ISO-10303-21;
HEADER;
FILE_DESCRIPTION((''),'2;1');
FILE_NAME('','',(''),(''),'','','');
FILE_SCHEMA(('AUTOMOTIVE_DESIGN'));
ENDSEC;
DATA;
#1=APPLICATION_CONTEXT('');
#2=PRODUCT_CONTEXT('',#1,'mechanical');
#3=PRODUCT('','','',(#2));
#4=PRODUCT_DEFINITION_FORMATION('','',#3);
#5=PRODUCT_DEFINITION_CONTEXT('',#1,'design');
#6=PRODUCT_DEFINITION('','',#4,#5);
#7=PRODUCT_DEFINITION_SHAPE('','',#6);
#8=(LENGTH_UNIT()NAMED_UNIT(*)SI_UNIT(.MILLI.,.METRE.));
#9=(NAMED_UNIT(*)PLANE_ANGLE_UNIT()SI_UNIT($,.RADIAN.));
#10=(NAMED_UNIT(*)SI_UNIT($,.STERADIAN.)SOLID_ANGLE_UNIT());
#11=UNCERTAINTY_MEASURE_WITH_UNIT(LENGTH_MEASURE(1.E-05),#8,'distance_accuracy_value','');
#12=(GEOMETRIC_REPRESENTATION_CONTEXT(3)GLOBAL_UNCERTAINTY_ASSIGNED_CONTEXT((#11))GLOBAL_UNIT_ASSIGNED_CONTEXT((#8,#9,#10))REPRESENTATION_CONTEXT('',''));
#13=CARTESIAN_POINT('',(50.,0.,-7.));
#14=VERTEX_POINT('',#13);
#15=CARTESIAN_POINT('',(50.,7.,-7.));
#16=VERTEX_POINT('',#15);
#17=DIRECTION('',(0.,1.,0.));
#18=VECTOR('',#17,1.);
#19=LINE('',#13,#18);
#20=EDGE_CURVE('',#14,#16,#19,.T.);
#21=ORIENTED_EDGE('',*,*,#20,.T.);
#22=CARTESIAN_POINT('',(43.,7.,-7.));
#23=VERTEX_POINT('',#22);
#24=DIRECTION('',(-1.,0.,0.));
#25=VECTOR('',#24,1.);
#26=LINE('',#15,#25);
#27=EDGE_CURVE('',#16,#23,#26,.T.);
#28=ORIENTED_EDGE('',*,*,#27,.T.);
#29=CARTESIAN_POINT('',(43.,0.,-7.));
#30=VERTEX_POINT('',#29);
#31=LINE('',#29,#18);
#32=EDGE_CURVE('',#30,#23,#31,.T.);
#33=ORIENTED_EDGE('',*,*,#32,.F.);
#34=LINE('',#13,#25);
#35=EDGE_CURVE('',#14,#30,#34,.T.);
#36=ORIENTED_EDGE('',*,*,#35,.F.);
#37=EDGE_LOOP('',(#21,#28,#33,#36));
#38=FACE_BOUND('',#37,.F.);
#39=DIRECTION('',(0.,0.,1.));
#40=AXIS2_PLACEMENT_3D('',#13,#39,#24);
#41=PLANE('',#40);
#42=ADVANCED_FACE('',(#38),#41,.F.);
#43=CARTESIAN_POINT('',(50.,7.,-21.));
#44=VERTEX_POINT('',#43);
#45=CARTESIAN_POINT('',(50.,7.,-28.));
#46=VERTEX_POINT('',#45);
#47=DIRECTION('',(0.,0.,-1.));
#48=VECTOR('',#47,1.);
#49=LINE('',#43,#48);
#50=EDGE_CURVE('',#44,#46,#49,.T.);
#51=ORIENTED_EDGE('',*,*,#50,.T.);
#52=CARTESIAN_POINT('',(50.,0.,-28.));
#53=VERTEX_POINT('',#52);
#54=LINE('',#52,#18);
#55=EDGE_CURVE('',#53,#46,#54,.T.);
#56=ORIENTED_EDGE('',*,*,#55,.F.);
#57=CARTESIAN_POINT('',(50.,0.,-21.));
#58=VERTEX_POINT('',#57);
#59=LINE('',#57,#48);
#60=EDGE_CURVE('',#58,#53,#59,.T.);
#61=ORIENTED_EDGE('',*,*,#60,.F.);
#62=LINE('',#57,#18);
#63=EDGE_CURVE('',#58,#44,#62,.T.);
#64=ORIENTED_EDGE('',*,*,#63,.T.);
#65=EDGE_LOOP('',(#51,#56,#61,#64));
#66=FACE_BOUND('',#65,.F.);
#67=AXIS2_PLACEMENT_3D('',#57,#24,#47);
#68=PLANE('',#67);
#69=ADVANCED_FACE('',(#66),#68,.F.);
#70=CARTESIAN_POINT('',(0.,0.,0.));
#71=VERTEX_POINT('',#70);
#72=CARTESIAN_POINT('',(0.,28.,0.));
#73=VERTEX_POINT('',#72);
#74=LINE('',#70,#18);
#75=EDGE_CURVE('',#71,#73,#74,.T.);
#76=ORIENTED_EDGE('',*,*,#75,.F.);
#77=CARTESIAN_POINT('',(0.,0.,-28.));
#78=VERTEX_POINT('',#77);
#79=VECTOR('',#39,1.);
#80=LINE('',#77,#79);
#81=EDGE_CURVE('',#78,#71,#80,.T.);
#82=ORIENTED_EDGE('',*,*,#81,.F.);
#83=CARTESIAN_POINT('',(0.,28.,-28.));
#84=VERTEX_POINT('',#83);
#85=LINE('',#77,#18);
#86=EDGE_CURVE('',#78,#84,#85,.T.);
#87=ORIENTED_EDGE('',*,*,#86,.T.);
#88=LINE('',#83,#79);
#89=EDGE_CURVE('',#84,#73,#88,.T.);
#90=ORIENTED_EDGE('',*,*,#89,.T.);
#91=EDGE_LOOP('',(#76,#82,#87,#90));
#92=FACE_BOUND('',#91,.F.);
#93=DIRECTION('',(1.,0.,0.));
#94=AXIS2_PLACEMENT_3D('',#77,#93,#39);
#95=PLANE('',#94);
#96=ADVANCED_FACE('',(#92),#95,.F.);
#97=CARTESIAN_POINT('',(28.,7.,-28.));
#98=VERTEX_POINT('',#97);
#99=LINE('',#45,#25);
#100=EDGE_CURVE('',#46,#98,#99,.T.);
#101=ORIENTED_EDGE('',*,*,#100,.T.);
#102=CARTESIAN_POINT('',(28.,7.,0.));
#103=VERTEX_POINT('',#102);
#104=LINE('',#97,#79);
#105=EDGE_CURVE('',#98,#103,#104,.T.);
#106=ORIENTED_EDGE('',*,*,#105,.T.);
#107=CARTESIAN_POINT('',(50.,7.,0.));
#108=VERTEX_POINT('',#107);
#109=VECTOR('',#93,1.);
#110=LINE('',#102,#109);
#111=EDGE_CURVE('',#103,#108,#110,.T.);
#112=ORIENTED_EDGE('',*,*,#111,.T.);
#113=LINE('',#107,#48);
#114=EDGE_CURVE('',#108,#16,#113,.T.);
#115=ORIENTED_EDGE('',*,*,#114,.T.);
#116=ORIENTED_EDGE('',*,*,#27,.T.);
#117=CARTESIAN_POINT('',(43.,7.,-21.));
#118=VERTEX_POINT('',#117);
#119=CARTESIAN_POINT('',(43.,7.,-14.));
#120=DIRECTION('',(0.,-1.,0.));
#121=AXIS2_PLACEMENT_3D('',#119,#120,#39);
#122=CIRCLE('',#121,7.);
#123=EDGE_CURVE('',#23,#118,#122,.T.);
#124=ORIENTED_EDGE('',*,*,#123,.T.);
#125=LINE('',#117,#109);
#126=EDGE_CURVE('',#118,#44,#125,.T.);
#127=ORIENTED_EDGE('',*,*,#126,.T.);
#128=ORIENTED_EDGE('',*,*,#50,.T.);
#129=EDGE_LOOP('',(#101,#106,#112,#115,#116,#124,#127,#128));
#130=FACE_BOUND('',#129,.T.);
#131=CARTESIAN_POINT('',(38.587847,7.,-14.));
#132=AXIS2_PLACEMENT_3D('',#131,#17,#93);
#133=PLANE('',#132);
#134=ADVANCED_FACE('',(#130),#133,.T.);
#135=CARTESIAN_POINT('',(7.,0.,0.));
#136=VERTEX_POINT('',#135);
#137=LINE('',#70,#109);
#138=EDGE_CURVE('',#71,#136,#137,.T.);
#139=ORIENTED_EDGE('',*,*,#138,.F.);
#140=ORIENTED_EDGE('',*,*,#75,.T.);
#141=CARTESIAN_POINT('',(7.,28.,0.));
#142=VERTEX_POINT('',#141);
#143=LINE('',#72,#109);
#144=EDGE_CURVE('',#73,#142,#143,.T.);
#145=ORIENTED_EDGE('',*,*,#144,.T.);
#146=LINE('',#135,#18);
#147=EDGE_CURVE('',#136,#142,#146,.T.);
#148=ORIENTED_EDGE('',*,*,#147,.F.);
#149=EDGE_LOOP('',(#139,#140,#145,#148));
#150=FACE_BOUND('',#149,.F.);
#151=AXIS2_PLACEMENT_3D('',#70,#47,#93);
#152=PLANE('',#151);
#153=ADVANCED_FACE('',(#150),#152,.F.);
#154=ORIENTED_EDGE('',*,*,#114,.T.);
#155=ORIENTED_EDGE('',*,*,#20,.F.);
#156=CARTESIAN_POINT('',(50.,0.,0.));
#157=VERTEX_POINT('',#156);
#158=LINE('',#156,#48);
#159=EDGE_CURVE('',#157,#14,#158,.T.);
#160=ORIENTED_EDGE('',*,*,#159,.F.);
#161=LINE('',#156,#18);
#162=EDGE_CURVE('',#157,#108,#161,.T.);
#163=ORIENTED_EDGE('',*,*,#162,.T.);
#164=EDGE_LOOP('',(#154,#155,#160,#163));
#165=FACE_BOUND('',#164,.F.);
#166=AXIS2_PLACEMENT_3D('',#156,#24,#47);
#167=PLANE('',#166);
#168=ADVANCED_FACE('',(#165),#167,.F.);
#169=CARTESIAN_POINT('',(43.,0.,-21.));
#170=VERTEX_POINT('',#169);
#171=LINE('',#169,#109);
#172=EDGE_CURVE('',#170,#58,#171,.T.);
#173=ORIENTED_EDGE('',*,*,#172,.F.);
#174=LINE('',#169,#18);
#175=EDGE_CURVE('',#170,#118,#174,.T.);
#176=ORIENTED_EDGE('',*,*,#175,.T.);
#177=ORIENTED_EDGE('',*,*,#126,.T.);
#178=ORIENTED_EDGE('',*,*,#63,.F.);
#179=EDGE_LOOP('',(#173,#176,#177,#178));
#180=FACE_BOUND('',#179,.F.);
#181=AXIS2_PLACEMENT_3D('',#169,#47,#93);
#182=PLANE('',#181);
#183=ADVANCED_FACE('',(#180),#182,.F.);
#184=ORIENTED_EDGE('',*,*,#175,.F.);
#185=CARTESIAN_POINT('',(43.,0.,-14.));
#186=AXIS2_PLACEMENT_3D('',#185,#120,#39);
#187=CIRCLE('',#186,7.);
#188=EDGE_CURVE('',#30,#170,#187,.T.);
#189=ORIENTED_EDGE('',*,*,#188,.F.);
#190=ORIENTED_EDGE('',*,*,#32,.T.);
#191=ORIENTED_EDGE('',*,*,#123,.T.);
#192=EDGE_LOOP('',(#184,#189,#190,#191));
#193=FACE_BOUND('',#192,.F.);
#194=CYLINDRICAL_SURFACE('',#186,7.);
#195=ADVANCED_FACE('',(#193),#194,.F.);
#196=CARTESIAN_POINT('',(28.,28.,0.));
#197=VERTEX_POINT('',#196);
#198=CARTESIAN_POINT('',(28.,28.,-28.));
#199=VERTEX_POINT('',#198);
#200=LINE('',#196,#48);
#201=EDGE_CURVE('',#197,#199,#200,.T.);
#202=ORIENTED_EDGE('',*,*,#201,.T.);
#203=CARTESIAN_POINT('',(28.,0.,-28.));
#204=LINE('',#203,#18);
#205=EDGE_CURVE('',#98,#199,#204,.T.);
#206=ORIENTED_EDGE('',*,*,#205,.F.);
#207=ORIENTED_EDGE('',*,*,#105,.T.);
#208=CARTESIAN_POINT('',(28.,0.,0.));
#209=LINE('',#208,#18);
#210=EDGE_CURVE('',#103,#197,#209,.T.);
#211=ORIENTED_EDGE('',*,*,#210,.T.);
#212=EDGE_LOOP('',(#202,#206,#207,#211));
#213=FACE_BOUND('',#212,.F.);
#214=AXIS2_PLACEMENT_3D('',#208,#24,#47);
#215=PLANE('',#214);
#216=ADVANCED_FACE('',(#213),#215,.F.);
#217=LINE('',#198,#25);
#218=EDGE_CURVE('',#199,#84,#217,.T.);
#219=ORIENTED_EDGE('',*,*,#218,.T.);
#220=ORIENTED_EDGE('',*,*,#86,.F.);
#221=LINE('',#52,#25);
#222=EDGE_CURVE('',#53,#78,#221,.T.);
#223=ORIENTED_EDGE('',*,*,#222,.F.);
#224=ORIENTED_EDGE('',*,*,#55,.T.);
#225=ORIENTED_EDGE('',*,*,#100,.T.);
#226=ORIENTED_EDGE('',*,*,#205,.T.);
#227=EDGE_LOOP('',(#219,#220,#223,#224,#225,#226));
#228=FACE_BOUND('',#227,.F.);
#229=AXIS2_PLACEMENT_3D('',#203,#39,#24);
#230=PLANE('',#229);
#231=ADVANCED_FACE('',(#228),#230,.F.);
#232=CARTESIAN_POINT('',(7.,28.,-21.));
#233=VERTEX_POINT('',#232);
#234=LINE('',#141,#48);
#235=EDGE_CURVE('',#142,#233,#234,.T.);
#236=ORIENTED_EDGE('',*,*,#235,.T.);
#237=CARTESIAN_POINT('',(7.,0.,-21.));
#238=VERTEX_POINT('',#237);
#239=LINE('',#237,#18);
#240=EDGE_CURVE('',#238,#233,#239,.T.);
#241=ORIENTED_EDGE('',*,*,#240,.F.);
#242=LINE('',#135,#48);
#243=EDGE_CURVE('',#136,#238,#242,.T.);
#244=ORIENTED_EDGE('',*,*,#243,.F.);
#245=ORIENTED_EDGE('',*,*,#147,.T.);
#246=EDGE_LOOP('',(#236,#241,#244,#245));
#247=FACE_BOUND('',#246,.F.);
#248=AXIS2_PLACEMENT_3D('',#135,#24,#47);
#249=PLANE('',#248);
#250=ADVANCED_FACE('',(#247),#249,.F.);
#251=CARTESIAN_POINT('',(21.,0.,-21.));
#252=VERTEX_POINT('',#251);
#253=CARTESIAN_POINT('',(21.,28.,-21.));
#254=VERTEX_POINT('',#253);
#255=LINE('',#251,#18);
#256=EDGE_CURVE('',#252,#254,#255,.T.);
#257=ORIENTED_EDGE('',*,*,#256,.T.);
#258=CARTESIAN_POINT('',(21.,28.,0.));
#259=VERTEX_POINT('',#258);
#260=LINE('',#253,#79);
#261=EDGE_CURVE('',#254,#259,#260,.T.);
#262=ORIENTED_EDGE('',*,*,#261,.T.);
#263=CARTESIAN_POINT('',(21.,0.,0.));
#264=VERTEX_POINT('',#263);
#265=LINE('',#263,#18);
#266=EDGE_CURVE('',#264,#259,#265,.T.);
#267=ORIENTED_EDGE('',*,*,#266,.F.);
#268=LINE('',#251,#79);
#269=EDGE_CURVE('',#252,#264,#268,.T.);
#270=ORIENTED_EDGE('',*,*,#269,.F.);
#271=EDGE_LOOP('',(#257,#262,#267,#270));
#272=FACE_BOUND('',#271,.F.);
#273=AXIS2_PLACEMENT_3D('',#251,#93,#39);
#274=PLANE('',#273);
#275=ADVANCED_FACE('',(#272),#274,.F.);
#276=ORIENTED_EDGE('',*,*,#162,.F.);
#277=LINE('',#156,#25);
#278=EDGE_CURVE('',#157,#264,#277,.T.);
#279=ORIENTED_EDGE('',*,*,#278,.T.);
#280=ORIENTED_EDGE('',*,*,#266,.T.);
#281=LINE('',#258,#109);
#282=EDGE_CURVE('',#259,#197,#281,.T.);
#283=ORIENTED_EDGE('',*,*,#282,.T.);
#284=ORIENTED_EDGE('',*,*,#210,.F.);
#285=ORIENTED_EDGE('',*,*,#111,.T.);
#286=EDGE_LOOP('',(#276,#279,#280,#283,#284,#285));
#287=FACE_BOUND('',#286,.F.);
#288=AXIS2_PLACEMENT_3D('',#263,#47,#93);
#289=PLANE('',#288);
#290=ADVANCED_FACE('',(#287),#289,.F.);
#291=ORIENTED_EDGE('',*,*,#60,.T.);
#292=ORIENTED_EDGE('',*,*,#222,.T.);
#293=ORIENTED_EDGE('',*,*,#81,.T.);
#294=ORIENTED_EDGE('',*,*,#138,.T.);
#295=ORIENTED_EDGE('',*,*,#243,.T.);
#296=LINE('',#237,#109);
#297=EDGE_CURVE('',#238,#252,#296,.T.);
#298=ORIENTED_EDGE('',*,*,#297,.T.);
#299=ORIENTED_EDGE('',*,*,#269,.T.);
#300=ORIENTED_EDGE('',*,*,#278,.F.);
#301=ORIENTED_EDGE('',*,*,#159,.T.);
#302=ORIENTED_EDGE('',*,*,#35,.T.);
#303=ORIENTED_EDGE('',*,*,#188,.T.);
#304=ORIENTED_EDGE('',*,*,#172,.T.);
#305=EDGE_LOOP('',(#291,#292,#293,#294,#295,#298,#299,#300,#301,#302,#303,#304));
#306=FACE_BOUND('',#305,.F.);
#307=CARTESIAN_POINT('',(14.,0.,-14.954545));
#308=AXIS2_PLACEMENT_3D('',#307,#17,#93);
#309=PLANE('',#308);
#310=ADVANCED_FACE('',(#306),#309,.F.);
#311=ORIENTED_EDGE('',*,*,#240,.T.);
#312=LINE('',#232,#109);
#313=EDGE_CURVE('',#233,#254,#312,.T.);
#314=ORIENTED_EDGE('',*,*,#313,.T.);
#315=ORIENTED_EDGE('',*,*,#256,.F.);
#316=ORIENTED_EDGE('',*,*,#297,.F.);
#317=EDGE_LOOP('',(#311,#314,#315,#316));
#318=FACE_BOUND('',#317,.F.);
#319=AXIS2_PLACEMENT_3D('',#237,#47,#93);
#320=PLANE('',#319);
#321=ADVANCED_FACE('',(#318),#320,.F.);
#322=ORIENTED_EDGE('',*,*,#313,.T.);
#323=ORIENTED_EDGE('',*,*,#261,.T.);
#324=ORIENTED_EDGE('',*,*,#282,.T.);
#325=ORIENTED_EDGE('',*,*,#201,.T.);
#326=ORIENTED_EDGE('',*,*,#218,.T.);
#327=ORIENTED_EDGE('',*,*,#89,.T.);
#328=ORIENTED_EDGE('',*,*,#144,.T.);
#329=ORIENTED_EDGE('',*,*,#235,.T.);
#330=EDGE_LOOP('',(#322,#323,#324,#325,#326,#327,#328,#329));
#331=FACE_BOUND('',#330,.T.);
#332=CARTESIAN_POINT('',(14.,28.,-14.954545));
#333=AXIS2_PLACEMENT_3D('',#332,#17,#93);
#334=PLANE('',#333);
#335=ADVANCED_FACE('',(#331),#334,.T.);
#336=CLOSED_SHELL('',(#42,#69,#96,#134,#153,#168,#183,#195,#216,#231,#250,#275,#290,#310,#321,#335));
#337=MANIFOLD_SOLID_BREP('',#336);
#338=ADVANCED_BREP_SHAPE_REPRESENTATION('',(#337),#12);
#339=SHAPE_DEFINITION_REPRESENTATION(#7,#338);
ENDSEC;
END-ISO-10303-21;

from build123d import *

# Parameters (mm, degrees)
BOSS_EXTRUDE1_DEPTH = 7
BOSS_EXTRUDE2_DEPTH = 28


with BuildPart() as part:
    # Sketch1 → Boss-Extrude1 (new body)
    with BuildSketch(Plane(origin=(0, 0, 0), x_dir=(1, 0, 0), z_dir=(0, 1, 0))):
        with BuildLine():
            Line((50, 28), (28, 28))
            Line((28, 28), (28, 0))
            Line((28, 0), (50, 0))
            Line((50, 0), (50, 7))
            Line((50, 7), (43, 7))
            ThreePointArc((43, 7), (36, 14), (43, 21))
            Line((43, 21), (50, 21))
            Line((50, 21), (50, 28))
        make_face()
    extrude(amount=BOSS_EXTRUDE1_DEPTH)

    # Sketch1<3> → Boss-Extrude2 (add)
    with BuildSketch(Plane(origin=(0, 0, 0), x_dir=(1, 0, 0), z_dir=(0, 1, 0))):
        Polygon((0, 28), (0, 0), (7, 0), (7, 21), (21, 21), (21, 0), (28, 0), (28, 28), align=None)
    extrude(amount=BOSS_EXTRUDE2_DEPTH)


solid = part.part
